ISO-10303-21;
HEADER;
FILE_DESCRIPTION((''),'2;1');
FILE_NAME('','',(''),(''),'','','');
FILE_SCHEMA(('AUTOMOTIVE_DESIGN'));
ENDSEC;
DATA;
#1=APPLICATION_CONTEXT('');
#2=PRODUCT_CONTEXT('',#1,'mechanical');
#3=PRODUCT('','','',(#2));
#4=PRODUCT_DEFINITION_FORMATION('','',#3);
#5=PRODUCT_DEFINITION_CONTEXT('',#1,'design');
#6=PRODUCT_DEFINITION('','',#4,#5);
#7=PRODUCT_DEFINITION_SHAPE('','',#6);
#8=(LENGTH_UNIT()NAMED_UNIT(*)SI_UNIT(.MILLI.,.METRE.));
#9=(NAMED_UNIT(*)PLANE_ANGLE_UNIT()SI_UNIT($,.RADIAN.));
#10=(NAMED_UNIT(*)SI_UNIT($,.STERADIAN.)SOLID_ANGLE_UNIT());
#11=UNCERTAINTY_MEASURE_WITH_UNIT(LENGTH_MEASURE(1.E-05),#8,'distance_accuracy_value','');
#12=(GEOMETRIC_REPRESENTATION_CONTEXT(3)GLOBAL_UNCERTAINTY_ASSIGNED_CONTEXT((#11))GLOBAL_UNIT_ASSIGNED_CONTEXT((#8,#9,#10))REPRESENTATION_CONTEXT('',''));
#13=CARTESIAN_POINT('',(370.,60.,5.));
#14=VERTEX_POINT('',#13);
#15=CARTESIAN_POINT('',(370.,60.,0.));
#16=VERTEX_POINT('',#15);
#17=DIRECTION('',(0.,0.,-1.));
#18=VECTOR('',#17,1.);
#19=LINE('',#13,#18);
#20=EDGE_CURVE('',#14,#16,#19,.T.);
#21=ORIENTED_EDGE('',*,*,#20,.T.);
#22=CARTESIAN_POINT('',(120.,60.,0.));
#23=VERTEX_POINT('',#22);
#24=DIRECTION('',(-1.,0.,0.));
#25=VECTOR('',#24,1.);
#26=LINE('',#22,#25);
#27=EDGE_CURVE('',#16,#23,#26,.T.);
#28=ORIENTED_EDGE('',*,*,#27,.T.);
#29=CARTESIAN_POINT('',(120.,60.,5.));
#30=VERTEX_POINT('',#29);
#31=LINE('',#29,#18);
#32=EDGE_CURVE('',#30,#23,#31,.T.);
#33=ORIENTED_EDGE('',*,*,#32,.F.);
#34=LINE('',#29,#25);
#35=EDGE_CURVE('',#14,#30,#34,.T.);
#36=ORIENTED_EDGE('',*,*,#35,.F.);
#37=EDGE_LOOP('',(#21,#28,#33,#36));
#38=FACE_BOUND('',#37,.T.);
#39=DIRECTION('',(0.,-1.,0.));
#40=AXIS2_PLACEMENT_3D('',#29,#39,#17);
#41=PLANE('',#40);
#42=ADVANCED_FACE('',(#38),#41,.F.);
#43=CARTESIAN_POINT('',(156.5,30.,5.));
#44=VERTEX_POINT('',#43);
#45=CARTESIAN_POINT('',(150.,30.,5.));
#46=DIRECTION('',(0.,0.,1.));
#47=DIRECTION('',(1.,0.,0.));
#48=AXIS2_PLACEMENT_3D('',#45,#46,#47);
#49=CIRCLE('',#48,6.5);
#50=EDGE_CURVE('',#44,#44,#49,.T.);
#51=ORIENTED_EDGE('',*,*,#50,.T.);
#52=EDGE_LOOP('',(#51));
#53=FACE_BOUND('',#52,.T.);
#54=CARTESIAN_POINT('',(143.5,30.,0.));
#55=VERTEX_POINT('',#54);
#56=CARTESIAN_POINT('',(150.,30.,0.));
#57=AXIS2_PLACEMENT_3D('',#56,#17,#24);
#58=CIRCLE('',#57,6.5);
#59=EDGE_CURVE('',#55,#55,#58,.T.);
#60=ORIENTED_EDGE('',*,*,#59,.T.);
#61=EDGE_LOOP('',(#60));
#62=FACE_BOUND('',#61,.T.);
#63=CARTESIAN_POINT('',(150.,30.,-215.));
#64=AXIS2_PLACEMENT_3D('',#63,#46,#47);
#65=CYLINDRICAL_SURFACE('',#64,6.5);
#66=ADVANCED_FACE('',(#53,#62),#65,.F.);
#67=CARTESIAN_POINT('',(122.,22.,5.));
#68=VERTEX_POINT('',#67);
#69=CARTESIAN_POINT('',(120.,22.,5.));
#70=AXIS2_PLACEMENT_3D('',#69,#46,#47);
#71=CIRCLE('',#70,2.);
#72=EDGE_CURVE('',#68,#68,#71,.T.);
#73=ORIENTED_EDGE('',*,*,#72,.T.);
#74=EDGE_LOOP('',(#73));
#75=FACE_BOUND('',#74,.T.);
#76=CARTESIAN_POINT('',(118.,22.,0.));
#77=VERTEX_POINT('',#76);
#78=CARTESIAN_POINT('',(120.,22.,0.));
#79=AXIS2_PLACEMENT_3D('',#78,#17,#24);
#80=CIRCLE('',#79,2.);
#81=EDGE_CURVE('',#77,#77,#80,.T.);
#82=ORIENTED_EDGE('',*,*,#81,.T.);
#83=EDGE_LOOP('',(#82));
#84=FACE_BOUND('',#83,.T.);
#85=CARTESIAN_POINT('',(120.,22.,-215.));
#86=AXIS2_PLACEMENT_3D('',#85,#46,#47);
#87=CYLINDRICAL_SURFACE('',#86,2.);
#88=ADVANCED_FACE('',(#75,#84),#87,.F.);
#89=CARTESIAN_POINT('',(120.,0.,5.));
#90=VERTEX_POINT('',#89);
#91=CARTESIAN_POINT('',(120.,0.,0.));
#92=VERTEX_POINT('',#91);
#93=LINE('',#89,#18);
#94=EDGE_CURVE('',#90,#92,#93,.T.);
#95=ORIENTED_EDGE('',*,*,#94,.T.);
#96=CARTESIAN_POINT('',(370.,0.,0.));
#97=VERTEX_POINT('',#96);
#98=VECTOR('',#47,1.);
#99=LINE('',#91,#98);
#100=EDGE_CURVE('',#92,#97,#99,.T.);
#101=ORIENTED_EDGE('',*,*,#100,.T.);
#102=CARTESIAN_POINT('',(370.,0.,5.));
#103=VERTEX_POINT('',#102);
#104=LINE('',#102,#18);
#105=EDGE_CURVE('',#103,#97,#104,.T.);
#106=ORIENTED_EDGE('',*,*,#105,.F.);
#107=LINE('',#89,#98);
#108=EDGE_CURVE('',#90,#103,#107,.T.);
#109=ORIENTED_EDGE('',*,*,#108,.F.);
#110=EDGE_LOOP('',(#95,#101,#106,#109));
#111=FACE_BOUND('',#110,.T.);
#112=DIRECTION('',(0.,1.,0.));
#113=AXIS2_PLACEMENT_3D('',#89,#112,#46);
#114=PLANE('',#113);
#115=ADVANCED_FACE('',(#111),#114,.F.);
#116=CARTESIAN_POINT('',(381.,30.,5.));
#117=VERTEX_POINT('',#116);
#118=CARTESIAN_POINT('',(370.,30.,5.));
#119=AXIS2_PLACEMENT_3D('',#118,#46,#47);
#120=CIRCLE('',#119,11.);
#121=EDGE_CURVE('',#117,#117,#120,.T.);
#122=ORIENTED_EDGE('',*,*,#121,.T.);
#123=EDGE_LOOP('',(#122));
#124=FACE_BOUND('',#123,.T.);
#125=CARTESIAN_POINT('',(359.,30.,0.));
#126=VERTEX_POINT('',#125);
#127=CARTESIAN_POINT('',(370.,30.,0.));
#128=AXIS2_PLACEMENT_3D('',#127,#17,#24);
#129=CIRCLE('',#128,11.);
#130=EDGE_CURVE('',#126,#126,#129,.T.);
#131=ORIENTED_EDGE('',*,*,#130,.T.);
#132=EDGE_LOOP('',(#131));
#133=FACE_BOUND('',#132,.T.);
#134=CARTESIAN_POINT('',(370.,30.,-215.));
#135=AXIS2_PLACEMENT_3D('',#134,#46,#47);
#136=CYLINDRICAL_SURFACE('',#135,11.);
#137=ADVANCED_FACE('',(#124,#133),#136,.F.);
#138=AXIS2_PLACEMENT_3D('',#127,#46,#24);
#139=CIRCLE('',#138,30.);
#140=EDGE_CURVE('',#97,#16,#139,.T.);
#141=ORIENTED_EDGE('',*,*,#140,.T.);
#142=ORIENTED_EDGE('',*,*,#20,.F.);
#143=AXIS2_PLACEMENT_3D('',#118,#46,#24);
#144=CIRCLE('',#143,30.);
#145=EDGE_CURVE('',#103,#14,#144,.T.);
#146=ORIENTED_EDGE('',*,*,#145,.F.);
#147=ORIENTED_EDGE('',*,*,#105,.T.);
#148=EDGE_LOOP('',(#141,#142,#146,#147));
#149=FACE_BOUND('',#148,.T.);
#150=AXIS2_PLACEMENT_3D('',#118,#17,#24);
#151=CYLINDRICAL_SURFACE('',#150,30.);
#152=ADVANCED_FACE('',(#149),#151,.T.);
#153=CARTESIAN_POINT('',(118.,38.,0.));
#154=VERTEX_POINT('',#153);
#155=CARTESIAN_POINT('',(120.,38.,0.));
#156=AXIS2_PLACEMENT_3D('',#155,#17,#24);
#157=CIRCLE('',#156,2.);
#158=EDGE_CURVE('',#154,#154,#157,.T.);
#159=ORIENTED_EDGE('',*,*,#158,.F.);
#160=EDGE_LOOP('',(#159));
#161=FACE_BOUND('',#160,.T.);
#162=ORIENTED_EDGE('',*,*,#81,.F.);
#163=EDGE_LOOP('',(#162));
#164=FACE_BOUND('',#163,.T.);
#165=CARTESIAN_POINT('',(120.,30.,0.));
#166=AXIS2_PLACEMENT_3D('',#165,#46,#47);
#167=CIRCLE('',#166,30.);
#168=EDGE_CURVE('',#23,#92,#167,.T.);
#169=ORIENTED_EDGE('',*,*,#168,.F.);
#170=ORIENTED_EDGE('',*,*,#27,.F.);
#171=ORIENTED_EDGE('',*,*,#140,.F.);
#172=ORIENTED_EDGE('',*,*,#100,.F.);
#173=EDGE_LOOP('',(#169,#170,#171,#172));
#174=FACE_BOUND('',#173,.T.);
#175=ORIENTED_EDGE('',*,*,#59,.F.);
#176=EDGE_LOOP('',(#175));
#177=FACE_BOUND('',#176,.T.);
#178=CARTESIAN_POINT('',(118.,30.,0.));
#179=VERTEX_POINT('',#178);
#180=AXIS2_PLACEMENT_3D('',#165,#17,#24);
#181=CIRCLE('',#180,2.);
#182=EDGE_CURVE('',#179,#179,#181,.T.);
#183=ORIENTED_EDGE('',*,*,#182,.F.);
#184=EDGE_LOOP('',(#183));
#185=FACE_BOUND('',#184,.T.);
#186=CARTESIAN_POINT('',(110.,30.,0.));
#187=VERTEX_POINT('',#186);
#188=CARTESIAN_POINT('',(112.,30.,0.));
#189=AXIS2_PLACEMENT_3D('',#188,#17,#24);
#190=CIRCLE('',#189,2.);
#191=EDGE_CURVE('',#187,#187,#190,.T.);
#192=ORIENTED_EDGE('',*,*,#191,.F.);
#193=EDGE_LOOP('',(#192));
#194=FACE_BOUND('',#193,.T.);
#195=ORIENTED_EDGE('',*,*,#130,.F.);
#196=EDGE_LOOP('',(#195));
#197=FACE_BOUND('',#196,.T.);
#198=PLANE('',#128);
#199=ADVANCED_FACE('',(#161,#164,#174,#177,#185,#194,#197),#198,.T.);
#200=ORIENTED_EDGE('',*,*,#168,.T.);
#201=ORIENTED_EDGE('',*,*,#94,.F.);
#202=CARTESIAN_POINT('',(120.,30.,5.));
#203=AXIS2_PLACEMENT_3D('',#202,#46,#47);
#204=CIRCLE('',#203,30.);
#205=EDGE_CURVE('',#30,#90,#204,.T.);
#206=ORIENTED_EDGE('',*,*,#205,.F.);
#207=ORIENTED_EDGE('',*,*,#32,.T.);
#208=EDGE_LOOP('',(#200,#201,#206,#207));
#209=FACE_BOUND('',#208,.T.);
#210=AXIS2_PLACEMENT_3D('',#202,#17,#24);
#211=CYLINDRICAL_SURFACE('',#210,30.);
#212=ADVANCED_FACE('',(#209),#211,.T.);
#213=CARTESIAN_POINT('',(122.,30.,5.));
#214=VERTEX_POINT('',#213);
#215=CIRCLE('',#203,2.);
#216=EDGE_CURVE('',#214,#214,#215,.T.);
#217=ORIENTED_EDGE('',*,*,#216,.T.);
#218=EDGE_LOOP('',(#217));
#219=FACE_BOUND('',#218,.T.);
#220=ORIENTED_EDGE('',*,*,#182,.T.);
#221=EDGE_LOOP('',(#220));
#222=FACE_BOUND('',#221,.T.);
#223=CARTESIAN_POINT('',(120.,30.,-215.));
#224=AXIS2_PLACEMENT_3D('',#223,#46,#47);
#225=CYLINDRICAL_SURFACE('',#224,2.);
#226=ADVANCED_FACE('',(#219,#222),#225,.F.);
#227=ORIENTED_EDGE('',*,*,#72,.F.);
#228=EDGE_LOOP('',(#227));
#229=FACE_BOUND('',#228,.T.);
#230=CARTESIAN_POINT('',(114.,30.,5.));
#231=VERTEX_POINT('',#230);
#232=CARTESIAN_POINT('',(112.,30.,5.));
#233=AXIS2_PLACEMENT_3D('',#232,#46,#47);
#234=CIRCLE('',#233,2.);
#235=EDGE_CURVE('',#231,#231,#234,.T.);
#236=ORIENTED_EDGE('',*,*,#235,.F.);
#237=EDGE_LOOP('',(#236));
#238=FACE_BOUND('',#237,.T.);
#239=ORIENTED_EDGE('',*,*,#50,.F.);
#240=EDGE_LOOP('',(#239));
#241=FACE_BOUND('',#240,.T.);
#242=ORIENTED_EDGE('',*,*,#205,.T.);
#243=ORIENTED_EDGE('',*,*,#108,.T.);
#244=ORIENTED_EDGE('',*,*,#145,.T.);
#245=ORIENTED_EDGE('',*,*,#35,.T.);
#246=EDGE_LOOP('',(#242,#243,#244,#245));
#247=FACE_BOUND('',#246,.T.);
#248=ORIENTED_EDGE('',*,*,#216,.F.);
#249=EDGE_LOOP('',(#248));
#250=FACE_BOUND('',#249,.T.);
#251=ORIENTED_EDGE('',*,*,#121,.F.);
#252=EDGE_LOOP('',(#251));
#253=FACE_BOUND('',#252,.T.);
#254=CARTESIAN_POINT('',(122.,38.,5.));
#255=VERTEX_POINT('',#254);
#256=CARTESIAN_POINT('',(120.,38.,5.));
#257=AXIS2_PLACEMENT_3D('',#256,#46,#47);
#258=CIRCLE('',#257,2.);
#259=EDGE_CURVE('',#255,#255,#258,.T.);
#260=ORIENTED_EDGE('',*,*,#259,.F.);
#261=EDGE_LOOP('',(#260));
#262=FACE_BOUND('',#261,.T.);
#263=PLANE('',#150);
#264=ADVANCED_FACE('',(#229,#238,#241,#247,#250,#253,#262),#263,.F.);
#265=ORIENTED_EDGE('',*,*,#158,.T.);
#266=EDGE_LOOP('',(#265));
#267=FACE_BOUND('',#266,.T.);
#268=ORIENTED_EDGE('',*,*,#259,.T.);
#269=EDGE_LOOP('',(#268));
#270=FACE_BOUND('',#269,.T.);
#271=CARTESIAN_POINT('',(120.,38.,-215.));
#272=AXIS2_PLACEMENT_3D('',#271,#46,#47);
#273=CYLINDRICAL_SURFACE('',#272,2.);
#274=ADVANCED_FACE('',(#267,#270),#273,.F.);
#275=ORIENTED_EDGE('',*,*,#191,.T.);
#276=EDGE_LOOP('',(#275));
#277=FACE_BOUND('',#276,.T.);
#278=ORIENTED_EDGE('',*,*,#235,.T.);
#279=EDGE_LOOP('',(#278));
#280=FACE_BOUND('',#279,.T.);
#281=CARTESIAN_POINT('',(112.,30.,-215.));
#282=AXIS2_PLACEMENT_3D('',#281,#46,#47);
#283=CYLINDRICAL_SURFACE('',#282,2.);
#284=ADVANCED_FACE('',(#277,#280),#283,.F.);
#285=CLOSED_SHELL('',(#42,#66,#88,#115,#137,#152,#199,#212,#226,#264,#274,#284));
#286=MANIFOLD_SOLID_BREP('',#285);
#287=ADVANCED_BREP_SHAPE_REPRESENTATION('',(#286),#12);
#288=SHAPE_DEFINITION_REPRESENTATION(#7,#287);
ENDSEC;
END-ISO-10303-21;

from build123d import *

# Parameters (mm, degrees)
SALIENTE_EXTRUIR1_DEPTH = 5
CROQUIS2_R              = 11
CROQUIS2_R_2            = 6.5
CROQUIS2_R_3            = 2
CORTAR_EXTRUIR4_DEPTH   = 220


with BuildPart() as part:
    # Croquis1 → Saliente-Extruir1 (new body)
    with BuildSketch(Plane.XY):
        with BuildLine():
            Line((120, 0), (370, 0))
            ThreePointArc((370, 0), (400, 30), (370, 60))
            Line((370, 60), (120, 60))
            ThreePointArc((120, 60), (90, 30), (120, 0))
        make_face()
    extrude(amount=SALIENTE_EXTRUIR1_DEPTH)

    # Croquis2 → Cortar-Extruir4 (cut)
    with BuildSketch(Plane.XY.offset(5)):
        with Locations((370, 30)):
            Circle(CROQUIS2_R)
        with Locations((150, 30)):
            Circle(CROQUIS2_R_2)
        with Locations((120, 30)):
            Circle(CROQUIS2_R_3)
        with Locations((120, 22)):
            Circle(CROQUIS2_R_3)
        with Locations((120, 38)):
            Circle(CROQUIS2_R_3)
        with Locations((112, 30)):
            Circle(CROQUIS2_R_3)
    extrude(amount=-CORTAR_EXTRUIR4_DEPTH, mode=Mode.SUBTRACT)


solid = part.part
